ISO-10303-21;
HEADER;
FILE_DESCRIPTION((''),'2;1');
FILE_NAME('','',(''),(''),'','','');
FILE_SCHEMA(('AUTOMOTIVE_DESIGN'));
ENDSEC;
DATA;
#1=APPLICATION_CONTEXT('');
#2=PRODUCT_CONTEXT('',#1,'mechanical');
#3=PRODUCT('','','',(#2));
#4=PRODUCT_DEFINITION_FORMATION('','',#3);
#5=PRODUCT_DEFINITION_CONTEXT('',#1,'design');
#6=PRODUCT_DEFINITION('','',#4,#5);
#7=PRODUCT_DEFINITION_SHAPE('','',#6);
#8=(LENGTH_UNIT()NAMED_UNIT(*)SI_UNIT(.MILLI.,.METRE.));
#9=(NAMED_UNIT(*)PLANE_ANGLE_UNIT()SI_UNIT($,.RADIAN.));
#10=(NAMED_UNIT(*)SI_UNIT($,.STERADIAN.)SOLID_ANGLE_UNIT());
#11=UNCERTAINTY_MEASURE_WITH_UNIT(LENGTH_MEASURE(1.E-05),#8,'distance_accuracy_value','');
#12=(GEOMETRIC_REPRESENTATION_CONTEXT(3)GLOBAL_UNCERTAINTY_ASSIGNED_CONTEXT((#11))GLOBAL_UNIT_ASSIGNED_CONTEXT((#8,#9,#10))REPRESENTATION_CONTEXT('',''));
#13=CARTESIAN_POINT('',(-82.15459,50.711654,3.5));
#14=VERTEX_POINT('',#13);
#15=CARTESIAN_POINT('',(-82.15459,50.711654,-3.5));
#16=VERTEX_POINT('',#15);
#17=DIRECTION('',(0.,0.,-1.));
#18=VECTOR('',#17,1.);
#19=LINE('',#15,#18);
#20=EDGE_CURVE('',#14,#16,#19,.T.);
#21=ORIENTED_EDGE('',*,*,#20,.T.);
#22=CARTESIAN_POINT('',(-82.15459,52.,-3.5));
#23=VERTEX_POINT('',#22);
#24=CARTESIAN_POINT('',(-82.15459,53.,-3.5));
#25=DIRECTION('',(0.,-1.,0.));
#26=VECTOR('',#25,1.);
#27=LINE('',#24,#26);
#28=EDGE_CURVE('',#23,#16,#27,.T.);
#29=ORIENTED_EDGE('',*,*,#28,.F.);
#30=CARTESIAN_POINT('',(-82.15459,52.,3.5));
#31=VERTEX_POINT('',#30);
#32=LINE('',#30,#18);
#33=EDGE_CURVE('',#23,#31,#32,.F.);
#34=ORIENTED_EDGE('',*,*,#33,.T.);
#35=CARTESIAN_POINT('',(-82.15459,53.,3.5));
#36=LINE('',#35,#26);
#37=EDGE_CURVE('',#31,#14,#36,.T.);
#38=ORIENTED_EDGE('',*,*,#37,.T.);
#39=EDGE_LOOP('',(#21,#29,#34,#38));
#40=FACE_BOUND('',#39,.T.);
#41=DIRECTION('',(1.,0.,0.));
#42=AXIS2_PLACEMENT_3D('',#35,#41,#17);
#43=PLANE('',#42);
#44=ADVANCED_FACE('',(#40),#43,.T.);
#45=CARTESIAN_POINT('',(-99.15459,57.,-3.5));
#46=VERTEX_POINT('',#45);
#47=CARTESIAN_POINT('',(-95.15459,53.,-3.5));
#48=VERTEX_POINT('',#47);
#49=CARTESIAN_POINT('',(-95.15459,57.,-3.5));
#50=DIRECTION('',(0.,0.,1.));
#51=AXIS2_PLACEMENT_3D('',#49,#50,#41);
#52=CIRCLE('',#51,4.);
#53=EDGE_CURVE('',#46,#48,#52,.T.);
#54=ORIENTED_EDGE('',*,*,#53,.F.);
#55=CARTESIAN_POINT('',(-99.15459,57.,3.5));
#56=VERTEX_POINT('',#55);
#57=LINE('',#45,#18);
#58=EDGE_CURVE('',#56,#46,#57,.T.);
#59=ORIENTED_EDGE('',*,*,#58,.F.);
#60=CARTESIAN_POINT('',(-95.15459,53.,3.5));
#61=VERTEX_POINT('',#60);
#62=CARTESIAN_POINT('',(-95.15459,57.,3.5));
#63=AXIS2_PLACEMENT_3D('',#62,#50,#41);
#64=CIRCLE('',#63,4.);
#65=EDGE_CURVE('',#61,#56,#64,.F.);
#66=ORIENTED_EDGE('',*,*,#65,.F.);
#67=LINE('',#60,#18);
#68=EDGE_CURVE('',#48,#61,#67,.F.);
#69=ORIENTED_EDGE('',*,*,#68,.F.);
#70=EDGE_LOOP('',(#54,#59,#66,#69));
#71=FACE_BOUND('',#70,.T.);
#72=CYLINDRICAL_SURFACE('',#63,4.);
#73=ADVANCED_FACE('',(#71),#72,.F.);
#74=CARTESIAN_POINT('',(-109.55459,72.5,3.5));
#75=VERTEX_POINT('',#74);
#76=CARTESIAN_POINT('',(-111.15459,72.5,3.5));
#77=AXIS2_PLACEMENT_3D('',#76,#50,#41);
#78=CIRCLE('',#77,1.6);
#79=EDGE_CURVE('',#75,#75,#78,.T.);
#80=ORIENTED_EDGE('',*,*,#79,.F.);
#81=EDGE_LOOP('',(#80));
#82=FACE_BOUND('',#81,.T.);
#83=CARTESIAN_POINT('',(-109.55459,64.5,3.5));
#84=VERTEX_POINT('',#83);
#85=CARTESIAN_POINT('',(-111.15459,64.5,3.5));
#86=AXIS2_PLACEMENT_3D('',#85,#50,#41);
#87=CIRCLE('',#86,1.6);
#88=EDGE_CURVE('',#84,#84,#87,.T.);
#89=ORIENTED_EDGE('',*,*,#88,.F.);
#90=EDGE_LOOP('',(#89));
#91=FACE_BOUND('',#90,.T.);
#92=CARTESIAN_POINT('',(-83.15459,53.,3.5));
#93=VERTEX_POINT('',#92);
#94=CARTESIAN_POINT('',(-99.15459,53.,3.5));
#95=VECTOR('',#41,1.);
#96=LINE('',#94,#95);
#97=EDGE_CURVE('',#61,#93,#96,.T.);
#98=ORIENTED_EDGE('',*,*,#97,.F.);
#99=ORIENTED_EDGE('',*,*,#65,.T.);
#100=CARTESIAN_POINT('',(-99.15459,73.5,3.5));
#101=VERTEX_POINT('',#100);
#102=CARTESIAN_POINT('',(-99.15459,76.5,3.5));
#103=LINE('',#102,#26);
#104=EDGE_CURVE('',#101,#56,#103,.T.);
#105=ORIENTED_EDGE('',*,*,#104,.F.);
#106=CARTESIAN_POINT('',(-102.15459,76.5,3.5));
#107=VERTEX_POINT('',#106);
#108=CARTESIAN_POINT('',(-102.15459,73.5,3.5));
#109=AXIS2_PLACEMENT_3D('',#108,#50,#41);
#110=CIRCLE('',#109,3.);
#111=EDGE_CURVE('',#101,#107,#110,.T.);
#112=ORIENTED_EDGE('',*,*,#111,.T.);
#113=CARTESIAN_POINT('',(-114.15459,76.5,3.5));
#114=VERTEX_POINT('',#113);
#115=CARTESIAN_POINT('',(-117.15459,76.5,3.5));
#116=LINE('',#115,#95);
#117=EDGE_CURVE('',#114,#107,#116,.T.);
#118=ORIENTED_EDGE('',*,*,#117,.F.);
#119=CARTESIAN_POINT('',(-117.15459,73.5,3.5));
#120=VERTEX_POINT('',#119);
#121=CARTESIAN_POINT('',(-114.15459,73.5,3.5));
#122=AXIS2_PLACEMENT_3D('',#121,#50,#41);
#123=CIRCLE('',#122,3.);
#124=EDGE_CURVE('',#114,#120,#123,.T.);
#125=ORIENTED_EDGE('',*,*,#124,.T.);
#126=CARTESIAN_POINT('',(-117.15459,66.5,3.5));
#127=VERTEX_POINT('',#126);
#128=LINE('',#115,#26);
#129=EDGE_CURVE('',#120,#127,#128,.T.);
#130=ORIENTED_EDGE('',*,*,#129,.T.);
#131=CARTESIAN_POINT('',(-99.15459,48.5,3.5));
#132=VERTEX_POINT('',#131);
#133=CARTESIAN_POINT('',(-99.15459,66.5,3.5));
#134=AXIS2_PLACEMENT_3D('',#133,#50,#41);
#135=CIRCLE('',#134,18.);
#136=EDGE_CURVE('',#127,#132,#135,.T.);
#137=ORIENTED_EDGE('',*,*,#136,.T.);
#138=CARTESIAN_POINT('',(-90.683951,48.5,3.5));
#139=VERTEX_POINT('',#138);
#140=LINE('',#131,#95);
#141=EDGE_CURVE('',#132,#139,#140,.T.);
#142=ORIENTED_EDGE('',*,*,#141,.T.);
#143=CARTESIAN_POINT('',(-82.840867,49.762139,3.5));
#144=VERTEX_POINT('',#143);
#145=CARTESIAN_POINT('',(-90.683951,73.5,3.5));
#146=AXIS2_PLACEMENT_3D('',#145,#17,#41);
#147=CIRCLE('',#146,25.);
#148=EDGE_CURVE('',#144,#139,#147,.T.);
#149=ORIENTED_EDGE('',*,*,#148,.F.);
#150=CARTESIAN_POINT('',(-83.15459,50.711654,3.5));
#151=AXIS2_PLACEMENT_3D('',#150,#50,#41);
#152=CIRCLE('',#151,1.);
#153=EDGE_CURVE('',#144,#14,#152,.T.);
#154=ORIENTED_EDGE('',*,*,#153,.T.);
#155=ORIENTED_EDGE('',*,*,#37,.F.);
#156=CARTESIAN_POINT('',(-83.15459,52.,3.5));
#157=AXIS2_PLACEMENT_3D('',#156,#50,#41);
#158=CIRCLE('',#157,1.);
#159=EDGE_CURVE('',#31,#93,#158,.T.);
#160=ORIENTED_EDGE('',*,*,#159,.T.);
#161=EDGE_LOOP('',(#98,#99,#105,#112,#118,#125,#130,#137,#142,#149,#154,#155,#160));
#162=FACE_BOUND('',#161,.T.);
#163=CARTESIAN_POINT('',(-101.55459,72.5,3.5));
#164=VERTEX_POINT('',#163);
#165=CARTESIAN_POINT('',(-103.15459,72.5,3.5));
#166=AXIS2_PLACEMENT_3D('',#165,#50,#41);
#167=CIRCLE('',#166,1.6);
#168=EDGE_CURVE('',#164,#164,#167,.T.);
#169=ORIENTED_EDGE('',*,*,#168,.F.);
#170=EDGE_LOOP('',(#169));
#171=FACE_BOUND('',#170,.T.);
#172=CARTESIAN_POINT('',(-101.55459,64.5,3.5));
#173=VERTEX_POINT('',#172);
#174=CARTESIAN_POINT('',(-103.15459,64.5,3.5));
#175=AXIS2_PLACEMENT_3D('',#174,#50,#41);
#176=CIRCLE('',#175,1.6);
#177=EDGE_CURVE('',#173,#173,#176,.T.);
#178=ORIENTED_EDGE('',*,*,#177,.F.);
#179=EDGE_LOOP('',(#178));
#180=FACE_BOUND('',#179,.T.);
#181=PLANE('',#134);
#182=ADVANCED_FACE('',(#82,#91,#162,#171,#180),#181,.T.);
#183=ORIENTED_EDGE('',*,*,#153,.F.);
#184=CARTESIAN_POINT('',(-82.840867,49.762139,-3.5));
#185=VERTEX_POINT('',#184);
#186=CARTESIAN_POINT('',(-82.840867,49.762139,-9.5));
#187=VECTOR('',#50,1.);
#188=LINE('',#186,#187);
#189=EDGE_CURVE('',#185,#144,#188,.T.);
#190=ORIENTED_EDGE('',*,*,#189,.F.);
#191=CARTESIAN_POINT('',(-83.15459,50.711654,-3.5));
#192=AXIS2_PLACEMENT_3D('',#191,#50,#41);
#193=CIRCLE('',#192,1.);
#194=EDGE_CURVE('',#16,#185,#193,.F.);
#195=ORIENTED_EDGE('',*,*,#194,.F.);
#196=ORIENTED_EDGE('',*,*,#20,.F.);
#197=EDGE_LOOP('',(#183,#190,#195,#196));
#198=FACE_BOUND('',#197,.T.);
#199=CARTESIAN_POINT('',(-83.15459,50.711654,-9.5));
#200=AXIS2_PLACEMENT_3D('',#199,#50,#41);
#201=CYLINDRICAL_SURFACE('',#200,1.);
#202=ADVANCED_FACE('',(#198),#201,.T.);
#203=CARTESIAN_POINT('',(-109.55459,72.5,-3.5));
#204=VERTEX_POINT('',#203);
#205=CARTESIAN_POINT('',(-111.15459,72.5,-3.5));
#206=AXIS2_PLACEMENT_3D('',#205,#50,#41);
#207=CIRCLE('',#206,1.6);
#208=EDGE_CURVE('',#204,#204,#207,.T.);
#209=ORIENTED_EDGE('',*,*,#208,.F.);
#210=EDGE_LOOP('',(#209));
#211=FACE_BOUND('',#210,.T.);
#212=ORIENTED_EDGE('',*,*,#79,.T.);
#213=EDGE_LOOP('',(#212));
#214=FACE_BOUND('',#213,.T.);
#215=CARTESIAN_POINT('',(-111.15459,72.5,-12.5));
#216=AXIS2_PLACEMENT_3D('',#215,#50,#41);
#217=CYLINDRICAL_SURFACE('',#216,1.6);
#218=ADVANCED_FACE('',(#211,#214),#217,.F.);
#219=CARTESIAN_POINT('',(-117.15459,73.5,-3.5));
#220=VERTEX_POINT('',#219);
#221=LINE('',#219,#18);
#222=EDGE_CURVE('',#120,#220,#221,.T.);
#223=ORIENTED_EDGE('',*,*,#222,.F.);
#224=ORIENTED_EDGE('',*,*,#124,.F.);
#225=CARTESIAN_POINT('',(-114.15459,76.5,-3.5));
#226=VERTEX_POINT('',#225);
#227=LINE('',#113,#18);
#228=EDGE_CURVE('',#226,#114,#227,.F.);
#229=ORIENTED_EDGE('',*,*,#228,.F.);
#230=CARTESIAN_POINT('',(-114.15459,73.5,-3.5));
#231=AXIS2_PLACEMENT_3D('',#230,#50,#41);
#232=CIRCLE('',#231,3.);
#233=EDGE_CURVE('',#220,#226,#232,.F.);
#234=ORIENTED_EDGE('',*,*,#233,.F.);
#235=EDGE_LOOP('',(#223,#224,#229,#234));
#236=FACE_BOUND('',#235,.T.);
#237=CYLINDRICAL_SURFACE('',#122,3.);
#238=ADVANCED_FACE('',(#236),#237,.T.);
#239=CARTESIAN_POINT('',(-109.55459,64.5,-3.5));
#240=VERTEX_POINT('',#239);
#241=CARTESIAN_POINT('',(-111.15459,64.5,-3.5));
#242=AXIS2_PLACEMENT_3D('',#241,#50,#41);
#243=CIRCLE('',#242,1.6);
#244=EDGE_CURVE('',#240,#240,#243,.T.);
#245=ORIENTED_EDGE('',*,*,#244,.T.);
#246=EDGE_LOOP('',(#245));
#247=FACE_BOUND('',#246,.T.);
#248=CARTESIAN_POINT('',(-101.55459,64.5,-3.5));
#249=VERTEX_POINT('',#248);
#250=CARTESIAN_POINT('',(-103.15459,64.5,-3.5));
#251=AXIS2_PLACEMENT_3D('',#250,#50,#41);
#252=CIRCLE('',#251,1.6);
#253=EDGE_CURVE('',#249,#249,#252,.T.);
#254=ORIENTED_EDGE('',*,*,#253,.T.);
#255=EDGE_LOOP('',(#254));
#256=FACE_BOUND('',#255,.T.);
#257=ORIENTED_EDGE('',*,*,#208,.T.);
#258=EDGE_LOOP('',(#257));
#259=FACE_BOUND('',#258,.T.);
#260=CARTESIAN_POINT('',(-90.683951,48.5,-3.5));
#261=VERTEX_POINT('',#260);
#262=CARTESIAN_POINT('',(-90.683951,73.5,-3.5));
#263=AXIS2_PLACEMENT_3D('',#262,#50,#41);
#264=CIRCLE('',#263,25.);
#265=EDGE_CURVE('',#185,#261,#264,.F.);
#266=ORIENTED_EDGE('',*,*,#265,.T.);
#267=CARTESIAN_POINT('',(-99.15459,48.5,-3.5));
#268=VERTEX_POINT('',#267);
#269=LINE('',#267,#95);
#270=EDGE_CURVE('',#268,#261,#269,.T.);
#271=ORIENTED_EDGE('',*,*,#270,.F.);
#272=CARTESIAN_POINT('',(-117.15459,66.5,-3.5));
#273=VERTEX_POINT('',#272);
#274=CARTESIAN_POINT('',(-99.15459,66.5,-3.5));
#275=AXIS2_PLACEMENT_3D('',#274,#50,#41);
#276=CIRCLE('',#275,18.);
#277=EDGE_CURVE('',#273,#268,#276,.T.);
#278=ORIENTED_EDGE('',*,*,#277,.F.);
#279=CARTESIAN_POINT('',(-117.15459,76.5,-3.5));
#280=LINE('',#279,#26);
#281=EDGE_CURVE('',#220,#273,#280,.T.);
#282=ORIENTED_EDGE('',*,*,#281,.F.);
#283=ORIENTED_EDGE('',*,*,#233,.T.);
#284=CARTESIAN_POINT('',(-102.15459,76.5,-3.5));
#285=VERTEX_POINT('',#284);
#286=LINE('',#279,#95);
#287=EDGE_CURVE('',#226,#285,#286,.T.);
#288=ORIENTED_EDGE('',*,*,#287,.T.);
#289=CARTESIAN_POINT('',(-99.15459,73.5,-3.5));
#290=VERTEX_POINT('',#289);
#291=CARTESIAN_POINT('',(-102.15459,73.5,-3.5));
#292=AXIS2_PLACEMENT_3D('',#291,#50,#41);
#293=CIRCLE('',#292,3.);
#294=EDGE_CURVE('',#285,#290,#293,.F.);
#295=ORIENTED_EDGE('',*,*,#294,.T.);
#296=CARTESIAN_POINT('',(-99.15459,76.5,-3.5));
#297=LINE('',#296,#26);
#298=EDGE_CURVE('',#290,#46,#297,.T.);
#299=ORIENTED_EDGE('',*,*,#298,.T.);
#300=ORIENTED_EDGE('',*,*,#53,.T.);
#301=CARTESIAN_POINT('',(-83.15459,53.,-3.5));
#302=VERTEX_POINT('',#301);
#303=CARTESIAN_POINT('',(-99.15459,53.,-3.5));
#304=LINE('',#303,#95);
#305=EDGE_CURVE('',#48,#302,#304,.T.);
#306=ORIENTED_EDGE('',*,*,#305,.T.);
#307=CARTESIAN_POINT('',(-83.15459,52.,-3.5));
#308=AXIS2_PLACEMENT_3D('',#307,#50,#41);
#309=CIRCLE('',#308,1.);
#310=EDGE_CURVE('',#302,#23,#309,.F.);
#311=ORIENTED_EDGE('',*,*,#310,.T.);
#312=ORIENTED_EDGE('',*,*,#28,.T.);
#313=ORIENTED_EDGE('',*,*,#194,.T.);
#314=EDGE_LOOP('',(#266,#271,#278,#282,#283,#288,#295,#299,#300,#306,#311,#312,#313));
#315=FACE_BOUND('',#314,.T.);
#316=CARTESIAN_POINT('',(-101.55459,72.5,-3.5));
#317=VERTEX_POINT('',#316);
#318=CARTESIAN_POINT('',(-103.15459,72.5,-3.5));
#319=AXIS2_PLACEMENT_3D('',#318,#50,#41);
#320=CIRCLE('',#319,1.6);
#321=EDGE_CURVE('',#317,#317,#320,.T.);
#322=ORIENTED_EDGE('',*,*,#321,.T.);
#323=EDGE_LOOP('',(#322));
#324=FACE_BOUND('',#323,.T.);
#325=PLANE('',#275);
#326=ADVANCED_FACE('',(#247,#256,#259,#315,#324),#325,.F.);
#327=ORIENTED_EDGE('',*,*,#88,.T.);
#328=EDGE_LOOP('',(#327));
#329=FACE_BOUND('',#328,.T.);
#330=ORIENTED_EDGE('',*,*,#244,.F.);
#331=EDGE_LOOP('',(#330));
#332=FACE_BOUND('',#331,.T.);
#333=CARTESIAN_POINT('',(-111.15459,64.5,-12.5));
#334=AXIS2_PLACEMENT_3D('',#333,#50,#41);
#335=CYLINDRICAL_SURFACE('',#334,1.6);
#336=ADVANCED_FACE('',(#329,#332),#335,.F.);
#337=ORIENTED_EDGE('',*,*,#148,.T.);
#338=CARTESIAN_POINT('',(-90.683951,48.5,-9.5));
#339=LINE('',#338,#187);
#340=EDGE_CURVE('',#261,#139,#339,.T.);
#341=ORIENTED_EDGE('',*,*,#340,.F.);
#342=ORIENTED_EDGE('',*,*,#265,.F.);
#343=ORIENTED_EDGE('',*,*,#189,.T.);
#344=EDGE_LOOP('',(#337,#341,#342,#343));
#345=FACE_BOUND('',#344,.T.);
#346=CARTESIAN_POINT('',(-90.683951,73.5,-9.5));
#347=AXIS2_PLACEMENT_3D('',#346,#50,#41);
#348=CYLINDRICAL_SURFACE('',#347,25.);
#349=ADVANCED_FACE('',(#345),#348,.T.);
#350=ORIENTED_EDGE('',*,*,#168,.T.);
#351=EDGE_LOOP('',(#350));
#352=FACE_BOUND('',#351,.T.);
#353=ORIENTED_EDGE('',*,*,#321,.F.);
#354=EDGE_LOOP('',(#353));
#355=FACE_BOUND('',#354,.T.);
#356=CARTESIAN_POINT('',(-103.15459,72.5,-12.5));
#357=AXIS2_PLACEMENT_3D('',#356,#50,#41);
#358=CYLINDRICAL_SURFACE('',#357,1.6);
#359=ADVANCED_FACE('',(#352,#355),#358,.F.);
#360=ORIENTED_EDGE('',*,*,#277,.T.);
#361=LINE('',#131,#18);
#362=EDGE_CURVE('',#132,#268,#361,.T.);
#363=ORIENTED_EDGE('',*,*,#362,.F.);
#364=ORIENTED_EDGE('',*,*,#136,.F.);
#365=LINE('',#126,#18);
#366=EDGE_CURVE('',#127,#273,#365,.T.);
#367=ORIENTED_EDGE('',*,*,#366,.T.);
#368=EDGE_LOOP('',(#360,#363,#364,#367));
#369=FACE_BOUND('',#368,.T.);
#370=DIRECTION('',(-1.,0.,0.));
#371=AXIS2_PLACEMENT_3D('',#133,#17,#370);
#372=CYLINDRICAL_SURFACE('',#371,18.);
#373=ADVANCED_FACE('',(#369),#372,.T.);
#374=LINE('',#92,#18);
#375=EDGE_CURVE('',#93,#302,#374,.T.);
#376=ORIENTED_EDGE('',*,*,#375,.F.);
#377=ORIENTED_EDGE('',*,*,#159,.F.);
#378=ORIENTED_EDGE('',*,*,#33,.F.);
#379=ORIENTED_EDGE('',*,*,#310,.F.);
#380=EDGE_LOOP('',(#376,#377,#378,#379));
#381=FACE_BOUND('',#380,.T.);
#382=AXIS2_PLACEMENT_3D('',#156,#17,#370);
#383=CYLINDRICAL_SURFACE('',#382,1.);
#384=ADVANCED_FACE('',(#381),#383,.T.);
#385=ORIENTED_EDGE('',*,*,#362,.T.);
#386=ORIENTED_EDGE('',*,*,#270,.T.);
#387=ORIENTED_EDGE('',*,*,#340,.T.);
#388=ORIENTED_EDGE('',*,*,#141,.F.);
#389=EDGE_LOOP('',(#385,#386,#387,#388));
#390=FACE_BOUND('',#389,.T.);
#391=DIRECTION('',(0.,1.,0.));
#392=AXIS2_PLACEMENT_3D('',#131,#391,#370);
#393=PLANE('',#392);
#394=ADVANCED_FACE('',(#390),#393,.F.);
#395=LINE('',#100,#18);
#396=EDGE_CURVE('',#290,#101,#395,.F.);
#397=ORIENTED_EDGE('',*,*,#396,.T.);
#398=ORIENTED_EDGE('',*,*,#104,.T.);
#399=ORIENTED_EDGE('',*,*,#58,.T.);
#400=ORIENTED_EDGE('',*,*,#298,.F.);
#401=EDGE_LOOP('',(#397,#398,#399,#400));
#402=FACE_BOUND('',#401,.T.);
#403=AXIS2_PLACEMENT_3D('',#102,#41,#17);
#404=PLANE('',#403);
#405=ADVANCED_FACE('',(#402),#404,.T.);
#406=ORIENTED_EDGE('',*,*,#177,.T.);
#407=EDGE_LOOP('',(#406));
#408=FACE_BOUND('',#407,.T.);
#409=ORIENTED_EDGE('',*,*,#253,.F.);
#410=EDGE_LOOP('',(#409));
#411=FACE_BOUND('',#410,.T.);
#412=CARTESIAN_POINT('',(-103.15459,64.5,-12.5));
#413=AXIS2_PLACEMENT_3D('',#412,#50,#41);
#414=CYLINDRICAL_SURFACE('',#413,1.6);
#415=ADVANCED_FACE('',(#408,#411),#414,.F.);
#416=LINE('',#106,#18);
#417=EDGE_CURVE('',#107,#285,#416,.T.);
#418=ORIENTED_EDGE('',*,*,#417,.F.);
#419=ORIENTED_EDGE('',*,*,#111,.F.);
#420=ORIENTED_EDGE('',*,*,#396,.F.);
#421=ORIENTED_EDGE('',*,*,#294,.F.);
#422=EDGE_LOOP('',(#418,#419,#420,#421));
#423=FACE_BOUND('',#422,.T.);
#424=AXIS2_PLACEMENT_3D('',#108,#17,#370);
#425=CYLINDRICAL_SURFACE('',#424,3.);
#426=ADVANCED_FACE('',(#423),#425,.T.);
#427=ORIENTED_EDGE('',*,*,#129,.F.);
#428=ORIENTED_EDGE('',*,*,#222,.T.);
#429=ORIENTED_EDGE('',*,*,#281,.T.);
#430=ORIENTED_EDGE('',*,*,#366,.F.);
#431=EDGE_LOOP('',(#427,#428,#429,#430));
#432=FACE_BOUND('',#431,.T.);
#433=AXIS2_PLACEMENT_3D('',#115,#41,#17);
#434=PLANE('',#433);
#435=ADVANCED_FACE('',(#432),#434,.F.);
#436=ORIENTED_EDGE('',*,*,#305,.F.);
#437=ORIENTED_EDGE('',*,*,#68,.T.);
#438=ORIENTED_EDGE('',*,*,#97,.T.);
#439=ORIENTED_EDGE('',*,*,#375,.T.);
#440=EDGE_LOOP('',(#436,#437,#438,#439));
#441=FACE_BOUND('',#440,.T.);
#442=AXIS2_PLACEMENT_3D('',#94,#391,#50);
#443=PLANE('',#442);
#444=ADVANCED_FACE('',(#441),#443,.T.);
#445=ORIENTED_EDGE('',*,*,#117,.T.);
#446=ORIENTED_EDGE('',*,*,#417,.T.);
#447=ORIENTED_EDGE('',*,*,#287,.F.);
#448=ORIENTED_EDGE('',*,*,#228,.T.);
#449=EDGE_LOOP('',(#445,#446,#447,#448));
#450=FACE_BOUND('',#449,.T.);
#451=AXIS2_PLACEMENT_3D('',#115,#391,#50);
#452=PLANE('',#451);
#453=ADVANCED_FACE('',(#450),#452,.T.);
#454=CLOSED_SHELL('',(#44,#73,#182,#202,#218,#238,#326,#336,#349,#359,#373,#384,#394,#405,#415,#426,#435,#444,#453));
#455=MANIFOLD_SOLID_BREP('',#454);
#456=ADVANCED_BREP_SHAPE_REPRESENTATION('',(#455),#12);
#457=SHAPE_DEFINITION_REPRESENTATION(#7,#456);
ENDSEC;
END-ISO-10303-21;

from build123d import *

# Parameters (mm, degrees)
EXTRUDE_1_DEPTH     = 3.5
SKETCH_3_R          = 1.6
CUT_EXTRUDE_1_DEPTH = 16
CUT_EXTRUDE_2_DEPTH = 13
FILLET_1_R          = 1
FILLET_2_R          = 3
FILLET_3_R          = 4


with BuildPart() as part:
    # 草图2 → 凸台-拉伸1 (new, symmetric)
    with BuildSketch(Plane.XY):
        with BuildLine():
            Line((-117.154590294, 76.5), (-117.154590294, 66.5))
            ThreePointArc((-117.154590294, 66.5), (-111.882512356, 53.772077939), (-99.154590294, 48.5))
            Line((-99.154590294, 48.5), (-82.154590294, 48.5))
            Line((-82.154590294, 48.5), (-82.154590294, 53))
            Line((-82.154590294, 53), (-99.154590294, 53))
            Line((-99.154590294, 53), (-99.154590294, 76.5))
            Line((-99.154590294, 76.5), (-117.154590294, 76.5))
        make_face()
    extrude(amount=EXTRUDE_1_DEPTH, both=True)

    # 草图3 → 切除-拉伸1 (cut)
    with BuildSketch(Plane.XY.offset(3.5)):
        with Locations((-103.154590294, 72.5)):
            Circle(SKETCH_3_R)
        with Locations((-111.154590294, 72.5)):
            Circle(SKETCH_3_R)
        with Locations((-111.154590294, 64.5)):
            Circle(SKETCH_3_R)
        with Locations((-103.154590294, 64.5)):
            Circle(SKETCH_3_R)
    extrude(amount=-CUT_EXTRUDE_1_DEPTH, mode=Mode.SUBTRACT)

    # 草图4 → 切除-拉伸2 (cut)
    with BuildSketch(Plane.XY.offset(3.5)):
        with BuildLine():
            Line((-90.683951349, 48.5), (-90.683951349, 46.627419574))
            Line((-90.683951349, 46.627419574), (-65.683951349, 46.627419574))
            Line((-65.683951349, 46.627419574), (-65.683951349, 73.5))
            ThreePointArc((-65.683951349, 73.5), (-73.006281819, 55.82233047), (-90.683951349, 48.5))
        make_face()
    extrude(amount=-CUT_EXTRUDE_2_DEPTH, mode=Mode.SUBTRACT)

    # 圆角1
    fillet_1_edges = [part.edges().sort_by_distance(p)[0] for p in [
        (-82.154590294, 53, 0),
        (-82.154590294, 50, 0),
    ]]
    fillet(fillet_1_edges, radius=FILLET_1_R)

    # 圆角2
    fillet_2_edges = [part.edges().sort_by_distance(p)[0] for p in [
        (-117.154590294, 76.5, 0),
        (-99.154590294, 76.5, 0),
    ]]
    fillet(fillet_2_edges, radius=FILLET_2_R)

    # 圆角3
    fillet_3_edges = [part.edges().sort_by_distance(p)[0] for p in [
        (-99.154590294, 53, 0),
    ]]
    fillet(fillet_3_edges, radius=FILLET_3_R)


solid = part.part
